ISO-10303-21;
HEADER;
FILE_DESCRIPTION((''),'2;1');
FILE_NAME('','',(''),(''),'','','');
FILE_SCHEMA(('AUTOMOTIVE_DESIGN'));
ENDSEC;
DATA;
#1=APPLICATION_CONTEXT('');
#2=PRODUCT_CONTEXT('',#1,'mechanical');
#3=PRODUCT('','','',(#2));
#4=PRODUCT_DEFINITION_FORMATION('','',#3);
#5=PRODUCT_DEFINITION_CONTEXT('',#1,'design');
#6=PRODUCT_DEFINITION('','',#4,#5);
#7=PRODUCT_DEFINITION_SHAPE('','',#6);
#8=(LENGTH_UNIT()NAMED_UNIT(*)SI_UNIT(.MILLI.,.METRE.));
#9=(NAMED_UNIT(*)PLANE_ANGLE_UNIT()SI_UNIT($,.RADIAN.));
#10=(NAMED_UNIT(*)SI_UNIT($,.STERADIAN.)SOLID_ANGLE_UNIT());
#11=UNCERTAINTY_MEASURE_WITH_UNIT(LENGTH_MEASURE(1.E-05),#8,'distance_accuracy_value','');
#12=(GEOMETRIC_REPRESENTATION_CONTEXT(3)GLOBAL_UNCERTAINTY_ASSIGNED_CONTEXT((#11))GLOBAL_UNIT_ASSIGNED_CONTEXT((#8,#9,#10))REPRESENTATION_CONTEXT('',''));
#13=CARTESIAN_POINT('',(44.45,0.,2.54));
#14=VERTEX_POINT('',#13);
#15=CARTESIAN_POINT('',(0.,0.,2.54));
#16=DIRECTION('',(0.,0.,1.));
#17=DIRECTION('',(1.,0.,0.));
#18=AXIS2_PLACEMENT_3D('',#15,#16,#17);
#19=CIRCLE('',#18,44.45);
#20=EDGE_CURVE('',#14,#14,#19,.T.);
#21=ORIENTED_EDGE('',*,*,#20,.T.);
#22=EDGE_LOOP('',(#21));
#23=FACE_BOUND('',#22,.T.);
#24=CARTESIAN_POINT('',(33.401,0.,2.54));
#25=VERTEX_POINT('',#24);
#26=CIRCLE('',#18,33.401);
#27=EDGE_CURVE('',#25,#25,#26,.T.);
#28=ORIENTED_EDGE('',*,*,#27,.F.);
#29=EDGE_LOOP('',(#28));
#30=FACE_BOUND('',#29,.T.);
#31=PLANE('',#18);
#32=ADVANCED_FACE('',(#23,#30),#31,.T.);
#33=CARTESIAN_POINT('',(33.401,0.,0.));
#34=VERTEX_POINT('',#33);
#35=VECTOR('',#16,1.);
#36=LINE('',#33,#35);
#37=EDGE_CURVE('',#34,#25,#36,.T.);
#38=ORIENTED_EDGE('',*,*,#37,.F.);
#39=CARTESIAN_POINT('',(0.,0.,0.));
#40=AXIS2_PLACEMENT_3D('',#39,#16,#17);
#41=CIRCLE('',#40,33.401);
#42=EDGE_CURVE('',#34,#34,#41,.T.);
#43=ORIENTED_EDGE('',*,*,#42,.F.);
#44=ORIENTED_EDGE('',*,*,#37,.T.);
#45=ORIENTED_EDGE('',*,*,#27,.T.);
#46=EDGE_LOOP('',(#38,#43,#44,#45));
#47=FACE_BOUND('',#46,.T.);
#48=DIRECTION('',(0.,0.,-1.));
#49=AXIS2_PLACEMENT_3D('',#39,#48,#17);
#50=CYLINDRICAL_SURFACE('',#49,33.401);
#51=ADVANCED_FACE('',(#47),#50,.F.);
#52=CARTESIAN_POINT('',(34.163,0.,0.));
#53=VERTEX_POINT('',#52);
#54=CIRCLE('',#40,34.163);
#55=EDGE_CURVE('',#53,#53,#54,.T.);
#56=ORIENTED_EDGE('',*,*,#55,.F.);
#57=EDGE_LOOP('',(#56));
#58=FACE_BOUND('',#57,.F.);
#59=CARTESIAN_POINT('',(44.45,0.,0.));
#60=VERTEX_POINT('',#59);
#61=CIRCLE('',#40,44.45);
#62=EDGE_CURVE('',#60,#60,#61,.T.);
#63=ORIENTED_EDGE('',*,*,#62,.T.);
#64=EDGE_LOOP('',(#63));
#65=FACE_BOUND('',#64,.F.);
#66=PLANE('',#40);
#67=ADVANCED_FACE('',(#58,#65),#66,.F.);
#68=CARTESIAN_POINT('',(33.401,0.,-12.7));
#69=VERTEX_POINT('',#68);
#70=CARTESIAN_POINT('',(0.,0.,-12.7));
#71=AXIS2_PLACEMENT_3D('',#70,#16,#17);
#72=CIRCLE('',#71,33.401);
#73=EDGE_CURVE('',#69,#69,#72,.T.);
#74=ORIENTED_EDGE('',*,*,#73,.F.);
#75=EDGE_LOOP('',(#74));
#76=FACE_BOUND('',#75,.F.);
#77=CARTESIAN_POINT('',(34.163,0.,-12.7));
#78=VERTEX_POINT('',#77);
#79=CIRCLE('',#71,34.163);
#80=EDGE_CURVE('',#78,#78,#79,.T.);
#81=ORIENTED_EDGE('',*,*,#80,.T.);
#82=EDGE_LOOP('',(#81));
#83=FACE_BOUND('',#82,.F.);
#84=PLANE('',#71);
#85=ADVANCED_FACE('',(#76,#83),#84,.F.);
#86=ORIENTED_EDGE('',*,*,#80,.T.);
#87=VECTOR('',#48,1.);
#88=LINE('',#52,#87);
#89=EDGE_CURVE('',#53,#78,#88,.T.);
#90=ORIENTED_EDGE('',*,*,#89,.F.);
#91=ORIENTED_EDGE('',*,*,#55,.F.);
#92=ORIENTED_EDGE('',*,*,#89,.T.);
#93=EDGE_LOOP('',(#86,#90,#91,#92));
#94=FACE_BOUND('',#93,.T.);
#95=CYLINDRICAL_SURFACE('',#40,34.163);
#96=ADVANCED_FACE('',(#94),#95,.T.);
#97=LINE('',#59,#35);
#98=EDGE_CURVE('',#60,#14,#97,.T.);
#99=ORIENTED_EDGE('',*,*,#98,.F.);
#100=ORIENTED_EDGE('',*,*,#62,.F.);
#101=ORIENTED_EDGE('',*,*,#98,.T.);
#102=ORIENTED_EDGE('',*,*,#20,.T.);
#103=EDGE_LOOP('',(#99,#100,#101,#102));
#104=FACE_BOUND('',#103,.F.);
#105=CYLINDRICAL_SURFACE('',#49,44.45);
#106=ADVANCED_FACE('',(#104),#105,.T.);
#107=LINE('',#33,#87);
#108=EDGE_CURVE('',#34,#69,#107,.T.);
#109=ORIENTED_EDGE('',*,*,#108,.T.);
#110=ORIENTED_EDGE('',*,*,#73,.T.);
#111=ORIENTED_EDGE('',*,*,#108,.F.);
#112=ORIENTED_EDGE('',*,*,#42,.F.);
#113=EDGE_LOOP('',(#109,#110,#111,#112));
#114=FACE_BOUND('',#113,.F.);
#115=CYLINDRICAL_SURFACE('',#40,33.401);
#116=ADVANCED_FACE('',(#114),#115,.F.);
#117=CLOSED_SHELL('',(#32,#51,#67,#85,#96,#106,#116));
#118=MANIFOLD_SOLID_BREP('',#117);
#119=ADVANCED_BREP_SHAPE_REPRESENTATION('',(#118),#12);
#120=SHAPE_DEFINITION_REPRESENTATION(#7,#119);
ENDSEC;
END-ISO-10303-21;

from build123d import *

# Parameters (mm, degrees)
F0_R          = 44.45
F0_R_2        = 34.163
F1_DEPTH      = 2.54
F0_R_3        = 33.401
F2_DEPTH      = 2.54
F2_DEPTH_BACK = 12.7


with BuildPart() as f1:
    # F0 (on Top) → F1 (new body)
    with BuildSketch(Plane.XY):
        Circle(F0_R)
        Circle(F0_R_2, mode=Mode.SUBTRACT)
    extrude(amount=F1_DEPTH)

    # F0 (on Top) → F2 (join, two sides)
    with BuildSketch(Plane.XY) as f2_sk:
        Circle(F0_R_2)
        Circle(F0_R_3, mode=Mode.SUBTRACT)
    extrude(amount=F2_DEPTH)
    extrude(f2_sk.sketch, amount=-F2_DEPTH_BACK)


solid = f1.part
